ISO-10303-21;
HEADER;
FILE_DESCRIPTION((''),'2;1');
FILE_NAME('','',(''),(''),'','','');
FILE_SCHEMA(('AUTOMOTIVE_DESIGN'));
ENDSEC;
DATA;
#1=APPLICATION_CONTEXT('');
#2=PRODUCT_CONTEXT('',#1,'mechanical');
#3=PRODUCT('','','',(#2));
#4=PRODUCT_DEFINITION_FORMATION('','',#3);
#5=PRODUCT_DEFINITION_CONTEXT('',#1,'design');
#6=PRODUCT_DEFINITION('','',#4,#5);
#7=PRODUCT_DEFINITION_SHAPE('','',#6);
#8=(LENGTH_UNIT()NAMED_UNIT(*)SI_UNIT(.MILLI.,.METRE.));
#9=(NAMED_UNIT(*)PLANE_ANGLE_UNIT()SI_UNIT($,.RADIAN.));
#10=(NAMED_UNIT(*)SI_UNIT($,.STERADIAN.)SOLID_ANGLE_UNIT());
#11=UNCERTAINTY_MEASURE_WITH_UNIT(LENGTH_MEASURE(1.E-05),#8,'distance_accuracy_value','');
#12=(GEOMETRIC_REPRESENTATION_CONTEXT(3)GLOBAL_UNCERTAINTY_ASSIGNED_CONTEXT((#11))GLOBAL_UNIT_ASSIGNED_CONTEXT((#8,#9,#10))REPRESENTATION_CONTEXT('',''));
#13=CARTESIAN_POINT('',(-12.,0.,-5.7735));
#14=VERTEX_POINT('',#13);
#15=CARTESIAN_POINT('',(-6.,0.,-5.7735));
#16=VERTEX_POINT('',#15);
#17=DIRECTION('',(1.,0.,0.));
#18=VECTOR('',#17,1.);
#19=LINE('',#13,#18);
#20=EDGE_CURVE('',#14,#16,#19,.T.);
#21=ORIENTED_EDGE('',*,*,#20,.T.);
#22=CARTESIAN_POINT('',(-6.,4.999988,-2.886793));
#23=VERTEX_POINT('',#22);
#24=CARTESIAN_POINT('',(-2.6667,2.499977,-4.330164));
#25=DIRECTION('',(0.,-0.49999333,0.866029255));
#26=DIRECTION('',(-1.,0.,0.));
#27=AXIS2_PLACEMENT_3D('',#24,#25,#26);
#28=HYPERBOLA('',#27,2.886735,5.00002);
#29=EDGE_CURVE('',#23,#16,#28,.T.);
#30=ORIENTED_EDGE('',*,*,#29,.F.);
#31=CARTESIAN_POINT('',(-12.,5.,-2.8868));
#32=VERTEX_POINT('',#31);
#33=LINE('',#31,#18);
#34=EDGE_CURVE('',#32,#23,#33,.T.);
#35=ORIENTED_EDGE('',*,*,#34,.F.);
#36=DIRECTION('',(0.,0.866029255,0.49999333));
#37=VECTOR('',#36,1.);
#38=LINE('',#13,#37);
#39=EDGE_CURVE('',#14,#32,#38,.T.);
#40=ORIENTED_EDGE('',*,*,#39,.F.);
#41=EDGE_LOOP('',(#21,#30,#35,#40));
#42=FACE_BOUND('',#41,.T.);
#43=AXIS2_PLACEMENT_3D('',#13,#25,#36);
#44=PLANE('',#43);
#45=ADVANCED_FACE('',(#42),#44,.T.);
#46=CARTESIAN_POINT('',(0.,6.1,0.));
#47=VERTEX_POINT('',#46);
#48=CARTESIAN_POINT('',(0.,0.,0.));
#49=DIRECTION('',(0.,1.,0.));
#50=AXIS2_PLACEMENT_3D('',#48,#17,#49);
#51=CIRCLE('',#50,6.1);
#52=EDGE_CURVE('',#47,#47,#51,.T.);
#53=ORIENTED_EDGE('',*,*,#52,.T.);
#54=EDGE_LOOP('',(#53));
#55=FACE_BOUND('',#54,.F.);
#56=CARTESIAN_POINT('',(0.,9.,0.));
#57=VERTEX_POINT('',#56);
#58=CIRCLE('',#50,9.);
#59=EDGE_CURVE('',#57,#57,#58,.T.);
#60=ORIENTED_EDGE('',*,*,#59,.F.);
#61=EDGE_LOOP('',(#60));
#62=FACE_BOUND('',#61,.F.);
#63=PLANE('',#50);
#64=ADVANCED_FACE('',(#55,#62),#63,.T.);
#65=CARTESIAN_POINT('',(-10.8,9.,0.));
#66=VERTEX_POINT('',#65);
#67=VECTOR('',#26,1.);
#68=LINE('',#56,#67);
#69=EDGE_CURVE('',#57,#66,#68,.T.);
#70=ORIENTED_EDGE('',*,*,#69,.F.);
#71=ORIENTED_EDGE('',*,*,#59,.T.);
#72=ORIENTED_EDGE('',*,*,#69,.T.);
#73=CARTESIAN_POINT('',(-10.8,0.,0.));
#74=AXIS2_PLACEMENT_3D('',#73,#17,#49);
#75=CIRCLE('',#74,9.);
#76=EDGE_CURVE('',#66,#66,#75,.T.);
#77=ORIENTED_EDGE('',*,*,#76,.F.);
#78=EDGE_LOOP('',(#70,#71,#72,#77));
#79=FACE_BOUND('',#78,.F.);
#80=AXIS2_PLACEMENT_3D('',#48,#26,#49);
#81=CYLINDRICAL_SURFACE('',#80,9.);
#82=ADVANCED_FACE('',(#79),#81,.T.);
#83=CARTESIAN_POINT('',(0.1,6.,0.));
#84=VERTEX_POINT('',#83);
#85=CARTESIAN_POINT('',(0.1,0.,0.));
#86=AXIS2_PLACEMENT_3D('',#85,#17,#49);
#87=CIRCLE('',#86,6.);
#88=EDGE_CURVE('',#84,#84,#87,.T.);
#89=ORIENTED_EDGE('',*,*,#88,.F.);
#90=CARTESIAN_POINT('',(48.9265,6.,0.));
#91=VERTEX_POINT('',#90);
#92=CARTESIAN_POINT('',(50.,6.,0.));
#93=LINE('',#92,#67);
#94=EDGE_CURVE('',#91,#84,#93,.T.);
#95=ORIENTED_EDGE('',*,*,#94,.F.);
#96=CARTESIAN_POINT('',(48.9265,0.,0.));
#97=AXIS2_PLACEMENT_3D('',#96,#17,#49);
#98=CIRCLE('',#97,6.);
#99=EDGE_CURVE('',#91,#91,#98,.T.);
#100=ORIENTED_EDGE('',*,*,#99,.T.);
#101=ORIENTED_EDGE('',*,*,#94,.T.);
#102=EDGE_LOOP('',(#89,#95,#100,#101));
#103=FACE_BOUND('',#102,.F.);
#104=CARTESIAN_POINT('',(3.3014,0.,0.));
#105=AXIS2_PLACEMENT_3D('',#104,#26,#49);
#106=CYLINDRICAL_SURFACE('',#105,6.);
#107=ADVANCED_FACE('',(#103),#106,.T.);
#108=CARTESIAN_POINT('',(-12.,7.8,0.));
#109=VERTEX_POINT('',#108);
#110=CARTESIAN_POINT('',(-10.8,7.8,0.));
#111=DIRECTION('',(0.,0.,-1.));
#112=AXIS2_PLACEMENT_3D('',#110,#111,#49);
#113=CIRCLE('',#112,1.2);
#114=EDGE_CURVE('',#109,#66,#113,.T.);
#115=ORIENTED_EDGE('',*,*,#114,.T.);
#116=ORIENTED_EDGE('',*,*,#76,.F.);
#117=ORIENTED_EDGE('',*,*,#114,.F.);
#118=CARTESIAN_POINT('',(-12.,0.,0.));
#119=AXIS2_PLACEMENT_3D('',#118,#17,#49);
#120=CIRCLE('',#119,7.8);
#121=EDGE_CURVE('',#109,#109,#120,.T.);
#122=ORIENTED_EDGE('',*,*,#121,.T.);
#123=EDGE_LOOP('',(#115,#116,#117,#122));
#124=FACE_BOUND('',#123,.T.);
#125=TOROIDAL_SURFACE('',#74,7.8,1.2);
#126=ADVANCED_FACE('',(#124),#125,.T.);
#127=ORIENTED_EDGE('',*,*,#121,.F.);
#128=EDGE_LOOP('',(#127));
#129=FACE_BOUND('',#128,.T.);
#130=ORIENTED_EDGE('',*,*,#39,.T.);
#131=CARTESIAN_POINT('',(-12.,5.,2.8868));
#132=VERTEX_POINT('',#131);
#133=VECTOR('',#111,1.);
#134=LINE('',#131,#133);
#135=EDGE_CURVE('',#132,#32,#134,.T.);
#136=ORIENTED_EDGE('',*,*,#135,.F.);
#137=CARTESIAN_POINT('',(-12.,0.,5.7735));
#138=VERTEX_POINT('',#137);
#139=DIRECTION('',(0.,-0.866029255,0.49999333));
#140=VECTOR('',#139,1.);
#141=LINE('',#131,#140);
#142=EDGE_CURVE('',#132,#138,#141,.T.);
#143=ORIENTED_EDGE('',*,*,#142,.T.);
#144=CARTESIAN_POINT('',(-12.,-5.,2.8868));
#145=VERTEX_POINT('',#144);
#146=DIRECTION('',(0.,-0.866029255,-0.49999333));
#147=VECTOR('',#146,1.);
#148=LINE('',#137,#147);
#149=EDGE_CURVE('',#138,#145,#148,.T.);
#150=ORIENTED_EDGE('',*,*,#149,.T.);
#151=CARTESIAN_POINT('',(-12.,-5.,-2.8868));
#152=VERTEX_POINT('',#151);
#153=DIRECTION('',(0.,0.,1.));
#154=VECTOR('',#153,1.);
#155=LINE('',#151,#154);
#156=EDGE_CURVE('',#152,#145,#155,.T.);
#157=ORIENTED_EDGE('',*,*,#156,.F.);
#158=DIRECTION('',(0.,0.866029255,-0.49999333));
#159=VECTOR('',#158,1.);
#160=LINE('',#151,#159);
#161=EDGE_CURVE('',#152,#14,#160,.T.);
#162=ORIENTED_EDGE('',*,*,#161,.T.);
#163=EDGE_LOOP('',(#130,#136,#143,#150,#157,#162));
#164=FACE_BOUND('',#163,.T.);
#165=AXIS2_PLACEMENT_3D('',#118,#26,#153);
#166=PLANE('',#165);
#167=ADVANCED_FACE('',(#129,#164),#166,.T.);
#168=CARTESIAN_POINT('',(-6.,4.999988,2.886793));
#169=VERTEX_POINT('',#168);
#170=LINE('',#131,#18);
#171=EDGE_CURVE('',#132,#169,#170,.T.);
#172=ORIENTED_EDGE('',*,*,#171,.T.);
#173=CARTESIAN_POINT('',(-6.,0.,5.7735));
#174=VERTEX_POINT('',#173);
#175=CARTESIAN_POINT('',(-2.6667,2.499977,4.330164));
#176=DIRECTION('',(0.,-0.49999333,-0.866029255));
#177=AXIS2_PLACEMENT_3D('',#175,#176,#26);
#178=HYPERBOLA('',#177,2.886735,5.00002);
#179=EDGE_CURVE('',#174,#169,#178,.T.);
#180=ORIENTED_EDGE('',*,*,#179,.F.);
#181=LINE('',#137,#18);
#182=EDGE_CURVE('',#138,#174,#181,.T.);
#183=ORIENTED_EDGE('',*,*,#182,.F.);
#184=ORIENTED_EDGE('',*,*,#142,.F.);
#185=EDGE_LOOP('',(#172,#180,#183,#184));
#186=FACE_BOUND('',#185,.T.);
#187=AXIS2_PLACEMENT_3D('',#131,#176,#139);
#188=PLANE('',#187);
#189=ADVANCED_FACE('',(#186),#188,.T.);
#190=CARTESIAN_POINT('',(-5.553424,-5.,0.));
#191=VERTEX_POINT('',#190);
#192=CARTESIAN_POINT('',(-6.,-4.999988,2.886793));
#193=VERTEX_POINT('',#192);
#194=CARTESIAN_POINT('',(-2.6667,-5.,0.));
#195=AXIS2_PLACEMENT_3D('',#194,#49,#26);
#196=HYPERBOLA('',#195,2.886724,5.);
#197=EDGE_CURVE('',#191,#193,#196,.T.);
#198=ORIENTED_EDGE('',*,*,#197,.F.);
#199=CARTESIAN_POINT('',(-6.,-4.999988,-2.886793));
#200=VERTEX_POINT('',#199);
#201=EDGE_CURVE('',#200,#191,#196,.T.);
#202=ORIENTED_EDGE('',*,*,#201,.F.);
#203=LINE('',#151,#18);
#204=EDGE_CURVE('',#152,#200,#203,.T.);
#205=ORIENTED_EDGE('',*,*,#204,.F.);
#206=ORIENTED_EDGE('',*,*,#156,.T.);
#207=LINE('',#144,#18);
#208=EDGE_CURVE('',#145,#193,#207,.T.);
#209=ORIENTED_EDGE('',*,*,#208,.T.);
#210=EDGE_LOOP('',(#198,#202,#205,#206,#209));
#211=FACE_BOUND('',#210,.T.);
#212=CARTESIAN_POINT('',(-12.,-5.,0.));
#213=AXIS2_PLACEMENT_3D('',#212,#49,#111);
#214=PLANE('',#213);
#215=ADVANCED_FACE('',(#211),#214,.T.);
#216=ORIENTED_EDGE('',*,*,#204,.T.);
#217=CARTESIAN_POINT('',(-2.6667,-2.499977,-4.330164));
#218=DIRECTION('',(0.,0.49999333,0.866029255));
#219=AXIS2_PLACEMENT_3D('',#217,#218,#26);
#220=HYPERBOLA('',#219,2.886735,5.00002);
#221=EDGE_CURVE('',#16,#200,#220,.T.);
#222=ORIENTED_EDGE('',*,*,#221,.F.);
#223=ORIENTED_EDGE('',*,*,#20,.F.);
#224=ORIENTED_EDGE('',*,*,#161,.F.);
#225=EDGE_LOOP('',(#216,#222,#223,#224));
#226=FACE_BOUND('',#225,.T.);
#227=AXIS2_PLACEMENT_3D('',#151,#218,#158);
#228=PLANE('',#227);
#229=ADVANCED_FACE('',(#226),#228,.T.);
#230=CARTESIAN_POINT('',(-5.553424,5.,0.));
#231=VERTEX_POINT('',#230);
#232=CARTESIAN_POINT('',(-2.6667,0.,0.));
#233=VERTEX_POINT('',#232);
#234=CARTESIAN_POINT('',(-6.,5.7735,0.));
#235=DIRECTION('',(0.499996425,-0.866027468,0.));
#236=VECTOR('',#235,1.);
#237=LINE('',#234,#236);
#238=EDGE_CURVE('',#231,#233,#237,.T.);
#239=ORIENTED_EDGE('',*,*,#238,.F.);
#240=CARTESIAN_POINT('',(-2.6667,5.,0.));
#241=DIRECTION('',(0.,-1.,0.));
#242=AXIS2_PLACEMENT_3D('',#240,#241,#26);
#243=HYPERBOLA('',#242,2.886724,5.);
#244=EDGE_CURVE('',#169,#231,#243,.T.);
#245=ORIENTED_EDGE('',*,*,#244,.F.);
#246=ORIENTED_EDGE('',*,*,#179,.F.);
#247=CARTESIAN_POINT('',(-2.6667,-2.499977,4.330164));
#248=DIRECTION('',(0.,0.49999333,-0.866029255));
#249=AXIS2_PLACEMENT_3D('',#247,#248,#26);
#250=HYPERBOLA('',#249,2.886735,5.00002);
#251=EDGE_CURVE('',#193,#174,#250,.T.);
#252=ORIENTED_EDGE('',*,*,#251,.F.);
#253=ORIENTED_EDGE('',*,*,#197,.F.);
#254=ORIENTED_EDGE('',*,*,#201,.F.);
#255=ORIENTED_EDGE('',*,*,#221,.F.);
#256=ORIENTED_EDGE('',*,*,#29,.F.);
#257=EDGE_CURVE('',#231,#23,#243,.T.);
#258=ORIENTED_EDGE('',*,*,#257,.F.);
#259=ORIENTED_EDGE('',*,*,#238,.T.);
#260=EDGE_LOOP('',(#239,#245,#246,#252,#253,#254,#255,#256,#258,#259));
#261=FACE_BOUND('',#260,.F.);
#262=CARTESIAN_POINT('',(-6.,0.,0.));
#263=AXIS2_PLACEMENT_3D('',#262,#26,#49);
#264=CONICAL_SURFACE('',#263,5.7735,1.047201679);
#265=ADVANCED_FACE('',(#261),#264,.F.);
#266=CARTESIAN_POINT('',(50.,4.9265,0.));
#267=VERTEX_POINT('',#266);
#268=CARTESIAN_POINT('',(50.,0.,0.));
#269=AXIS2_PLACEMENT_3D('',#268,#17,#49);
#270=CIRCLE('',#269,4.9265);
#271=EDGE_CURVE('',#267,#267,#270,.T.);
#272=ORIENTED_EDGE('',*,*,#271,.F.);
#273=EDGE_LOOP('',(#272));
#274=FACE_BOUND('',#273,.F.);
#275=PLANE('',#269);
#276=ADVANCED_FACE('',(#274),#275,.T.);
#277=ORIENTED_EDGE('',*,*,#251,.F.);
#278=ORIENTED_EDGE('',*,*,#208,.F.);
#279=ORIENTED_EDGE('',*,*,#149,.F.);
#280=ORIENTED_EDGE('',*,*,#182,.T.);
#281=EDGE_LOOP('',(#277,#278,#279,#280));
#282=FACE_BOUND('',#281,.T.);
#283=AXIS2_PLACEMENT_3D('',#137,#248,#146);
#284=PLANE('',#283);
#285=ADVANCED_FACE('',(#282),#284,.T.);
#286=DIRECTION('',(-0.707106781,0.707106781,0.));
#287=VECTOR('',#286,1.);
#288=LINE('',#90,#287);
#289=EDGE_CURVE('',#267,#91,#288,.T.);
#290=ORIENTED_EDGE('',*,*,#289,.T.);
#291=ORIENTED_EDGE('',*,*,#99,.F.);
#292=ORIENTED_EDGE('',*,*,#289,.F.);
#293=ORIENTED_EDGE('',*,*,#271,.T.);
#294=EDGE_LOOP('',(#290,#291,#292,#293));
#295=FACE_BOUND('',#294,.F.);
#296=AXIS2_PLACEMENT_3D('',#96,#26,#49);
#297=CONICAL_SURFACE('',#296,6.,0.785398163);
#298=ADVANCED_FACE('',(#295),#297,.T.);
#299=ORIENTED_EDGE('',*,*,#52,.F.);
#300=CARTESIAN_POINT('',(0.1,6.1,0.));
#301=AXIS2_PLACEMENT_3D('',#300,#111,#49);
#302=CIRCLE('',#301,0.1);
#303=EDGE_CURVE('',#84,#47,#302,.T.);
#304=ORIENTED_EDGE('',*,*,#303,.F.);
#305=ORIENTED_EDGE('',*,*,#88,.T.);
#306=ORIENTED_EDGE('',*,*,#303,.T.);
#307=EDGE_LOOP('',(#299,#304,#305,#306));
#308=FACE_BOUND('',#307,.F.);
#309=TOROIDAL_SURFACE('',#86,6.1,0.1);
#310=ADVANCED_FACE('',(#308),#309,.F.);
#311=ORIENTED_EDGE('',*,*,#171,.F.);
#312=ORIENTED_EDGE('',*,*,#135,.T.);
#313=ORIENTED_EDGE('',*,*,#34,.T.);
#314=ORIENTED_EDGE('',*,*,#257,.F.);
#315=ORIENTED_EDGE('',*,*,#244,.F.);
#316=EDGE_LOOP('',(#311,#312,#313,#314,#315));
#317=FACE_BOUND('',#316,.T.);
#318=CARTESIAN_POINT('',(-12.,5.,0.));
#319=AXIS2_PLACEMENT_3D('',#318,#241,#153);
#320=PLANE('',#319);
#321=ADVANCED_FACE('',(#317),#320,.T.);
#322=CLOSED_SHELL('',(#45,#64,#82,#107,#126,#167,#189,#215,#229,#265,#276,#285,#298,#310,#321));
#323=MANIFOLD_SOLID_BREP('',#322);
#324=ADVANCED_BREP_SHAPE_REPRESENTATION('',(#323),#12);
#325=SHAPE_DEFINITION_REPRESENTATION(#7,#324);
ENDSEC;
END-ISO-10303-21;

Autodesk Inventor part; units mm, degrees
ref_plane "YZ Plane" through (0, 0, 0) normal (1, 0, 0) x (0, 1, 0)
ref_plane "XZ Plane" through (0, 0, 0) normal (0, 1, 0) x (-1, 0, 0)
sketch "Skizze1" plane through (0, 0, 0) normal (0, 0, 1) x (1, 0, 0)
  line L0 (-2.6667, 0) -> (50, 0)
  line L1 (50, 0) -> (50, 6)
  line L2 (50, 6) -> (4.375, 6)
  line L3 (4.375, 6) -> (3.3014, 6)
  line L4 (3.3014, 6) -> (0, 6)
  line L5 (0, 6) -> (0, 9)
  line L6 (0, 9) -> (-12, 9)
  line L7 (-12, 9) -> (-12, 5.7735)
  line L8 (-12, 5.7735) -> (-6, 5.7735)
  line L9 (-6, 5.7735) -> (-2.6667, 0)
  line L10 (-24.4, 0) -> (62.4, 0) projected
  line L11 (0, -1.8) -> (0, 10.8) projected
  line L12 (4.375, 6) -> (0, 6) construction
  dimension "d1" = 45.625
  dimension "d2" = 1.0736
  dimension "d3" = 12
  dimension "d4" = 6
  dimension "d5" = 60
  dimension "d6" = 12
  dimension "d7" = 12
  dimension "d8" = 11.547
  dimension "d9" = 18
  dimension "d26" = 50
revolve "Körper" add sketch "Skizze1" angle 360 about axis through (-2.6667, 0, 0) along (1, 0, 0)
sketch "Skizze2" plane through (-12, 0, 0) normal (-1, 0, 0) x (0, 0, 1)
  circle A0 centre (0, 0) radius 5.7735 projected
  line L0 (0, -12.6) -> (0, 12.6) projected
  line L1 (-12.6, 0) -> (12.6, 0) projected
  line L2 (5.7735, 0) -> (2.8868, -5)
  line L3 (2.8868, -5) -> (-2.8868, -5)
  line L4 (-2.8868, -5) -> (-5.7735, 0)
  line L5 (-5.7735, 0) -> (-2.8868, 5)
  line L6 (-2.8868, 5) -> (2.8868, 5)
  line L7 (2.8868, 5) -> (5.7735, 0)
extrude "Loch" add sketch "Skizze2" against normal up to next contours L7 A0 | A0 L2 | L6 L0 A0 | A0 L0 L3 | L0 L6 A0 | A0 L3 L0 | L4 A0 | A0 L5
fillet "Rundung1" radius 1.2 1 edges at (-12, -9, 0)
thread "Gewinde" size "M12x1.75" class "6g" standard "ISO Metric profile" length 45.625
chamfer "Fase1" distance 1.0735 distance2 1.0735 1 edges at (50, -6, 0) measured on face at (50, 1.5551, -0.8476)
ref_plane "Work Plane1" through (29, 0, 0) normal (0, -1, 0) x (1, 0, 0)
fillet "Fillet2" radius 0.1 1 edges at (0, -6, 0)
equation "\"d1\" = GEL"
equation "\"d3\" = KOH"
equation "\"d4\" = INTI"
equation "\"d6\" = GD"
equation "\"d7\" = BDM"
equation "\"d8\" = 1.1547 * SW"
equation "\"d9\" = KOD"
equation "\"d26\" = NLG"
equation "\"d30\" = R"
equation "\"d17\" = RR"
equation "\"d13\" = GEL"
equation "\"d15\" = -0.5 * SPD + 0.5 * GD"
equation "\"d16\" = GUL"
equation "\"GD\" = 12"
equation "\"NLG\" = 50"
equation "\"GEL\" = 45.625"
equation "\"KOD\" = 18"
equation "\"KOH\" = 12"
equation "\"INTI\" = 6"
equation "\"GAL\" = 0.61345 * PTC"
equation "\"GUL\" = 0.61345 * PTC"
equation "\"BDM\" = NND"
equation "\"RR\" = 1.2"
equation "\"SPD\" = NND - 1.2269 * PTC"
equation "\"R\" = 0.1"
equation "\"TOA\" = 30deg"
equation "\"GD1\" = THREADDIA - 1.2269 * PTC"
equation "\"THREADDIA\" = 12"
equation "\"FAWI\" = 45deg"
equation "\"PTC\" = 1.75"
equation "\"NND\" = 12"
equation "\"E0\" = 1.155 * SW"
equation "\"SW\" = 10"
properties part number "ISO 4762 - M12 x 50" material "Edelstahl, 440C"
